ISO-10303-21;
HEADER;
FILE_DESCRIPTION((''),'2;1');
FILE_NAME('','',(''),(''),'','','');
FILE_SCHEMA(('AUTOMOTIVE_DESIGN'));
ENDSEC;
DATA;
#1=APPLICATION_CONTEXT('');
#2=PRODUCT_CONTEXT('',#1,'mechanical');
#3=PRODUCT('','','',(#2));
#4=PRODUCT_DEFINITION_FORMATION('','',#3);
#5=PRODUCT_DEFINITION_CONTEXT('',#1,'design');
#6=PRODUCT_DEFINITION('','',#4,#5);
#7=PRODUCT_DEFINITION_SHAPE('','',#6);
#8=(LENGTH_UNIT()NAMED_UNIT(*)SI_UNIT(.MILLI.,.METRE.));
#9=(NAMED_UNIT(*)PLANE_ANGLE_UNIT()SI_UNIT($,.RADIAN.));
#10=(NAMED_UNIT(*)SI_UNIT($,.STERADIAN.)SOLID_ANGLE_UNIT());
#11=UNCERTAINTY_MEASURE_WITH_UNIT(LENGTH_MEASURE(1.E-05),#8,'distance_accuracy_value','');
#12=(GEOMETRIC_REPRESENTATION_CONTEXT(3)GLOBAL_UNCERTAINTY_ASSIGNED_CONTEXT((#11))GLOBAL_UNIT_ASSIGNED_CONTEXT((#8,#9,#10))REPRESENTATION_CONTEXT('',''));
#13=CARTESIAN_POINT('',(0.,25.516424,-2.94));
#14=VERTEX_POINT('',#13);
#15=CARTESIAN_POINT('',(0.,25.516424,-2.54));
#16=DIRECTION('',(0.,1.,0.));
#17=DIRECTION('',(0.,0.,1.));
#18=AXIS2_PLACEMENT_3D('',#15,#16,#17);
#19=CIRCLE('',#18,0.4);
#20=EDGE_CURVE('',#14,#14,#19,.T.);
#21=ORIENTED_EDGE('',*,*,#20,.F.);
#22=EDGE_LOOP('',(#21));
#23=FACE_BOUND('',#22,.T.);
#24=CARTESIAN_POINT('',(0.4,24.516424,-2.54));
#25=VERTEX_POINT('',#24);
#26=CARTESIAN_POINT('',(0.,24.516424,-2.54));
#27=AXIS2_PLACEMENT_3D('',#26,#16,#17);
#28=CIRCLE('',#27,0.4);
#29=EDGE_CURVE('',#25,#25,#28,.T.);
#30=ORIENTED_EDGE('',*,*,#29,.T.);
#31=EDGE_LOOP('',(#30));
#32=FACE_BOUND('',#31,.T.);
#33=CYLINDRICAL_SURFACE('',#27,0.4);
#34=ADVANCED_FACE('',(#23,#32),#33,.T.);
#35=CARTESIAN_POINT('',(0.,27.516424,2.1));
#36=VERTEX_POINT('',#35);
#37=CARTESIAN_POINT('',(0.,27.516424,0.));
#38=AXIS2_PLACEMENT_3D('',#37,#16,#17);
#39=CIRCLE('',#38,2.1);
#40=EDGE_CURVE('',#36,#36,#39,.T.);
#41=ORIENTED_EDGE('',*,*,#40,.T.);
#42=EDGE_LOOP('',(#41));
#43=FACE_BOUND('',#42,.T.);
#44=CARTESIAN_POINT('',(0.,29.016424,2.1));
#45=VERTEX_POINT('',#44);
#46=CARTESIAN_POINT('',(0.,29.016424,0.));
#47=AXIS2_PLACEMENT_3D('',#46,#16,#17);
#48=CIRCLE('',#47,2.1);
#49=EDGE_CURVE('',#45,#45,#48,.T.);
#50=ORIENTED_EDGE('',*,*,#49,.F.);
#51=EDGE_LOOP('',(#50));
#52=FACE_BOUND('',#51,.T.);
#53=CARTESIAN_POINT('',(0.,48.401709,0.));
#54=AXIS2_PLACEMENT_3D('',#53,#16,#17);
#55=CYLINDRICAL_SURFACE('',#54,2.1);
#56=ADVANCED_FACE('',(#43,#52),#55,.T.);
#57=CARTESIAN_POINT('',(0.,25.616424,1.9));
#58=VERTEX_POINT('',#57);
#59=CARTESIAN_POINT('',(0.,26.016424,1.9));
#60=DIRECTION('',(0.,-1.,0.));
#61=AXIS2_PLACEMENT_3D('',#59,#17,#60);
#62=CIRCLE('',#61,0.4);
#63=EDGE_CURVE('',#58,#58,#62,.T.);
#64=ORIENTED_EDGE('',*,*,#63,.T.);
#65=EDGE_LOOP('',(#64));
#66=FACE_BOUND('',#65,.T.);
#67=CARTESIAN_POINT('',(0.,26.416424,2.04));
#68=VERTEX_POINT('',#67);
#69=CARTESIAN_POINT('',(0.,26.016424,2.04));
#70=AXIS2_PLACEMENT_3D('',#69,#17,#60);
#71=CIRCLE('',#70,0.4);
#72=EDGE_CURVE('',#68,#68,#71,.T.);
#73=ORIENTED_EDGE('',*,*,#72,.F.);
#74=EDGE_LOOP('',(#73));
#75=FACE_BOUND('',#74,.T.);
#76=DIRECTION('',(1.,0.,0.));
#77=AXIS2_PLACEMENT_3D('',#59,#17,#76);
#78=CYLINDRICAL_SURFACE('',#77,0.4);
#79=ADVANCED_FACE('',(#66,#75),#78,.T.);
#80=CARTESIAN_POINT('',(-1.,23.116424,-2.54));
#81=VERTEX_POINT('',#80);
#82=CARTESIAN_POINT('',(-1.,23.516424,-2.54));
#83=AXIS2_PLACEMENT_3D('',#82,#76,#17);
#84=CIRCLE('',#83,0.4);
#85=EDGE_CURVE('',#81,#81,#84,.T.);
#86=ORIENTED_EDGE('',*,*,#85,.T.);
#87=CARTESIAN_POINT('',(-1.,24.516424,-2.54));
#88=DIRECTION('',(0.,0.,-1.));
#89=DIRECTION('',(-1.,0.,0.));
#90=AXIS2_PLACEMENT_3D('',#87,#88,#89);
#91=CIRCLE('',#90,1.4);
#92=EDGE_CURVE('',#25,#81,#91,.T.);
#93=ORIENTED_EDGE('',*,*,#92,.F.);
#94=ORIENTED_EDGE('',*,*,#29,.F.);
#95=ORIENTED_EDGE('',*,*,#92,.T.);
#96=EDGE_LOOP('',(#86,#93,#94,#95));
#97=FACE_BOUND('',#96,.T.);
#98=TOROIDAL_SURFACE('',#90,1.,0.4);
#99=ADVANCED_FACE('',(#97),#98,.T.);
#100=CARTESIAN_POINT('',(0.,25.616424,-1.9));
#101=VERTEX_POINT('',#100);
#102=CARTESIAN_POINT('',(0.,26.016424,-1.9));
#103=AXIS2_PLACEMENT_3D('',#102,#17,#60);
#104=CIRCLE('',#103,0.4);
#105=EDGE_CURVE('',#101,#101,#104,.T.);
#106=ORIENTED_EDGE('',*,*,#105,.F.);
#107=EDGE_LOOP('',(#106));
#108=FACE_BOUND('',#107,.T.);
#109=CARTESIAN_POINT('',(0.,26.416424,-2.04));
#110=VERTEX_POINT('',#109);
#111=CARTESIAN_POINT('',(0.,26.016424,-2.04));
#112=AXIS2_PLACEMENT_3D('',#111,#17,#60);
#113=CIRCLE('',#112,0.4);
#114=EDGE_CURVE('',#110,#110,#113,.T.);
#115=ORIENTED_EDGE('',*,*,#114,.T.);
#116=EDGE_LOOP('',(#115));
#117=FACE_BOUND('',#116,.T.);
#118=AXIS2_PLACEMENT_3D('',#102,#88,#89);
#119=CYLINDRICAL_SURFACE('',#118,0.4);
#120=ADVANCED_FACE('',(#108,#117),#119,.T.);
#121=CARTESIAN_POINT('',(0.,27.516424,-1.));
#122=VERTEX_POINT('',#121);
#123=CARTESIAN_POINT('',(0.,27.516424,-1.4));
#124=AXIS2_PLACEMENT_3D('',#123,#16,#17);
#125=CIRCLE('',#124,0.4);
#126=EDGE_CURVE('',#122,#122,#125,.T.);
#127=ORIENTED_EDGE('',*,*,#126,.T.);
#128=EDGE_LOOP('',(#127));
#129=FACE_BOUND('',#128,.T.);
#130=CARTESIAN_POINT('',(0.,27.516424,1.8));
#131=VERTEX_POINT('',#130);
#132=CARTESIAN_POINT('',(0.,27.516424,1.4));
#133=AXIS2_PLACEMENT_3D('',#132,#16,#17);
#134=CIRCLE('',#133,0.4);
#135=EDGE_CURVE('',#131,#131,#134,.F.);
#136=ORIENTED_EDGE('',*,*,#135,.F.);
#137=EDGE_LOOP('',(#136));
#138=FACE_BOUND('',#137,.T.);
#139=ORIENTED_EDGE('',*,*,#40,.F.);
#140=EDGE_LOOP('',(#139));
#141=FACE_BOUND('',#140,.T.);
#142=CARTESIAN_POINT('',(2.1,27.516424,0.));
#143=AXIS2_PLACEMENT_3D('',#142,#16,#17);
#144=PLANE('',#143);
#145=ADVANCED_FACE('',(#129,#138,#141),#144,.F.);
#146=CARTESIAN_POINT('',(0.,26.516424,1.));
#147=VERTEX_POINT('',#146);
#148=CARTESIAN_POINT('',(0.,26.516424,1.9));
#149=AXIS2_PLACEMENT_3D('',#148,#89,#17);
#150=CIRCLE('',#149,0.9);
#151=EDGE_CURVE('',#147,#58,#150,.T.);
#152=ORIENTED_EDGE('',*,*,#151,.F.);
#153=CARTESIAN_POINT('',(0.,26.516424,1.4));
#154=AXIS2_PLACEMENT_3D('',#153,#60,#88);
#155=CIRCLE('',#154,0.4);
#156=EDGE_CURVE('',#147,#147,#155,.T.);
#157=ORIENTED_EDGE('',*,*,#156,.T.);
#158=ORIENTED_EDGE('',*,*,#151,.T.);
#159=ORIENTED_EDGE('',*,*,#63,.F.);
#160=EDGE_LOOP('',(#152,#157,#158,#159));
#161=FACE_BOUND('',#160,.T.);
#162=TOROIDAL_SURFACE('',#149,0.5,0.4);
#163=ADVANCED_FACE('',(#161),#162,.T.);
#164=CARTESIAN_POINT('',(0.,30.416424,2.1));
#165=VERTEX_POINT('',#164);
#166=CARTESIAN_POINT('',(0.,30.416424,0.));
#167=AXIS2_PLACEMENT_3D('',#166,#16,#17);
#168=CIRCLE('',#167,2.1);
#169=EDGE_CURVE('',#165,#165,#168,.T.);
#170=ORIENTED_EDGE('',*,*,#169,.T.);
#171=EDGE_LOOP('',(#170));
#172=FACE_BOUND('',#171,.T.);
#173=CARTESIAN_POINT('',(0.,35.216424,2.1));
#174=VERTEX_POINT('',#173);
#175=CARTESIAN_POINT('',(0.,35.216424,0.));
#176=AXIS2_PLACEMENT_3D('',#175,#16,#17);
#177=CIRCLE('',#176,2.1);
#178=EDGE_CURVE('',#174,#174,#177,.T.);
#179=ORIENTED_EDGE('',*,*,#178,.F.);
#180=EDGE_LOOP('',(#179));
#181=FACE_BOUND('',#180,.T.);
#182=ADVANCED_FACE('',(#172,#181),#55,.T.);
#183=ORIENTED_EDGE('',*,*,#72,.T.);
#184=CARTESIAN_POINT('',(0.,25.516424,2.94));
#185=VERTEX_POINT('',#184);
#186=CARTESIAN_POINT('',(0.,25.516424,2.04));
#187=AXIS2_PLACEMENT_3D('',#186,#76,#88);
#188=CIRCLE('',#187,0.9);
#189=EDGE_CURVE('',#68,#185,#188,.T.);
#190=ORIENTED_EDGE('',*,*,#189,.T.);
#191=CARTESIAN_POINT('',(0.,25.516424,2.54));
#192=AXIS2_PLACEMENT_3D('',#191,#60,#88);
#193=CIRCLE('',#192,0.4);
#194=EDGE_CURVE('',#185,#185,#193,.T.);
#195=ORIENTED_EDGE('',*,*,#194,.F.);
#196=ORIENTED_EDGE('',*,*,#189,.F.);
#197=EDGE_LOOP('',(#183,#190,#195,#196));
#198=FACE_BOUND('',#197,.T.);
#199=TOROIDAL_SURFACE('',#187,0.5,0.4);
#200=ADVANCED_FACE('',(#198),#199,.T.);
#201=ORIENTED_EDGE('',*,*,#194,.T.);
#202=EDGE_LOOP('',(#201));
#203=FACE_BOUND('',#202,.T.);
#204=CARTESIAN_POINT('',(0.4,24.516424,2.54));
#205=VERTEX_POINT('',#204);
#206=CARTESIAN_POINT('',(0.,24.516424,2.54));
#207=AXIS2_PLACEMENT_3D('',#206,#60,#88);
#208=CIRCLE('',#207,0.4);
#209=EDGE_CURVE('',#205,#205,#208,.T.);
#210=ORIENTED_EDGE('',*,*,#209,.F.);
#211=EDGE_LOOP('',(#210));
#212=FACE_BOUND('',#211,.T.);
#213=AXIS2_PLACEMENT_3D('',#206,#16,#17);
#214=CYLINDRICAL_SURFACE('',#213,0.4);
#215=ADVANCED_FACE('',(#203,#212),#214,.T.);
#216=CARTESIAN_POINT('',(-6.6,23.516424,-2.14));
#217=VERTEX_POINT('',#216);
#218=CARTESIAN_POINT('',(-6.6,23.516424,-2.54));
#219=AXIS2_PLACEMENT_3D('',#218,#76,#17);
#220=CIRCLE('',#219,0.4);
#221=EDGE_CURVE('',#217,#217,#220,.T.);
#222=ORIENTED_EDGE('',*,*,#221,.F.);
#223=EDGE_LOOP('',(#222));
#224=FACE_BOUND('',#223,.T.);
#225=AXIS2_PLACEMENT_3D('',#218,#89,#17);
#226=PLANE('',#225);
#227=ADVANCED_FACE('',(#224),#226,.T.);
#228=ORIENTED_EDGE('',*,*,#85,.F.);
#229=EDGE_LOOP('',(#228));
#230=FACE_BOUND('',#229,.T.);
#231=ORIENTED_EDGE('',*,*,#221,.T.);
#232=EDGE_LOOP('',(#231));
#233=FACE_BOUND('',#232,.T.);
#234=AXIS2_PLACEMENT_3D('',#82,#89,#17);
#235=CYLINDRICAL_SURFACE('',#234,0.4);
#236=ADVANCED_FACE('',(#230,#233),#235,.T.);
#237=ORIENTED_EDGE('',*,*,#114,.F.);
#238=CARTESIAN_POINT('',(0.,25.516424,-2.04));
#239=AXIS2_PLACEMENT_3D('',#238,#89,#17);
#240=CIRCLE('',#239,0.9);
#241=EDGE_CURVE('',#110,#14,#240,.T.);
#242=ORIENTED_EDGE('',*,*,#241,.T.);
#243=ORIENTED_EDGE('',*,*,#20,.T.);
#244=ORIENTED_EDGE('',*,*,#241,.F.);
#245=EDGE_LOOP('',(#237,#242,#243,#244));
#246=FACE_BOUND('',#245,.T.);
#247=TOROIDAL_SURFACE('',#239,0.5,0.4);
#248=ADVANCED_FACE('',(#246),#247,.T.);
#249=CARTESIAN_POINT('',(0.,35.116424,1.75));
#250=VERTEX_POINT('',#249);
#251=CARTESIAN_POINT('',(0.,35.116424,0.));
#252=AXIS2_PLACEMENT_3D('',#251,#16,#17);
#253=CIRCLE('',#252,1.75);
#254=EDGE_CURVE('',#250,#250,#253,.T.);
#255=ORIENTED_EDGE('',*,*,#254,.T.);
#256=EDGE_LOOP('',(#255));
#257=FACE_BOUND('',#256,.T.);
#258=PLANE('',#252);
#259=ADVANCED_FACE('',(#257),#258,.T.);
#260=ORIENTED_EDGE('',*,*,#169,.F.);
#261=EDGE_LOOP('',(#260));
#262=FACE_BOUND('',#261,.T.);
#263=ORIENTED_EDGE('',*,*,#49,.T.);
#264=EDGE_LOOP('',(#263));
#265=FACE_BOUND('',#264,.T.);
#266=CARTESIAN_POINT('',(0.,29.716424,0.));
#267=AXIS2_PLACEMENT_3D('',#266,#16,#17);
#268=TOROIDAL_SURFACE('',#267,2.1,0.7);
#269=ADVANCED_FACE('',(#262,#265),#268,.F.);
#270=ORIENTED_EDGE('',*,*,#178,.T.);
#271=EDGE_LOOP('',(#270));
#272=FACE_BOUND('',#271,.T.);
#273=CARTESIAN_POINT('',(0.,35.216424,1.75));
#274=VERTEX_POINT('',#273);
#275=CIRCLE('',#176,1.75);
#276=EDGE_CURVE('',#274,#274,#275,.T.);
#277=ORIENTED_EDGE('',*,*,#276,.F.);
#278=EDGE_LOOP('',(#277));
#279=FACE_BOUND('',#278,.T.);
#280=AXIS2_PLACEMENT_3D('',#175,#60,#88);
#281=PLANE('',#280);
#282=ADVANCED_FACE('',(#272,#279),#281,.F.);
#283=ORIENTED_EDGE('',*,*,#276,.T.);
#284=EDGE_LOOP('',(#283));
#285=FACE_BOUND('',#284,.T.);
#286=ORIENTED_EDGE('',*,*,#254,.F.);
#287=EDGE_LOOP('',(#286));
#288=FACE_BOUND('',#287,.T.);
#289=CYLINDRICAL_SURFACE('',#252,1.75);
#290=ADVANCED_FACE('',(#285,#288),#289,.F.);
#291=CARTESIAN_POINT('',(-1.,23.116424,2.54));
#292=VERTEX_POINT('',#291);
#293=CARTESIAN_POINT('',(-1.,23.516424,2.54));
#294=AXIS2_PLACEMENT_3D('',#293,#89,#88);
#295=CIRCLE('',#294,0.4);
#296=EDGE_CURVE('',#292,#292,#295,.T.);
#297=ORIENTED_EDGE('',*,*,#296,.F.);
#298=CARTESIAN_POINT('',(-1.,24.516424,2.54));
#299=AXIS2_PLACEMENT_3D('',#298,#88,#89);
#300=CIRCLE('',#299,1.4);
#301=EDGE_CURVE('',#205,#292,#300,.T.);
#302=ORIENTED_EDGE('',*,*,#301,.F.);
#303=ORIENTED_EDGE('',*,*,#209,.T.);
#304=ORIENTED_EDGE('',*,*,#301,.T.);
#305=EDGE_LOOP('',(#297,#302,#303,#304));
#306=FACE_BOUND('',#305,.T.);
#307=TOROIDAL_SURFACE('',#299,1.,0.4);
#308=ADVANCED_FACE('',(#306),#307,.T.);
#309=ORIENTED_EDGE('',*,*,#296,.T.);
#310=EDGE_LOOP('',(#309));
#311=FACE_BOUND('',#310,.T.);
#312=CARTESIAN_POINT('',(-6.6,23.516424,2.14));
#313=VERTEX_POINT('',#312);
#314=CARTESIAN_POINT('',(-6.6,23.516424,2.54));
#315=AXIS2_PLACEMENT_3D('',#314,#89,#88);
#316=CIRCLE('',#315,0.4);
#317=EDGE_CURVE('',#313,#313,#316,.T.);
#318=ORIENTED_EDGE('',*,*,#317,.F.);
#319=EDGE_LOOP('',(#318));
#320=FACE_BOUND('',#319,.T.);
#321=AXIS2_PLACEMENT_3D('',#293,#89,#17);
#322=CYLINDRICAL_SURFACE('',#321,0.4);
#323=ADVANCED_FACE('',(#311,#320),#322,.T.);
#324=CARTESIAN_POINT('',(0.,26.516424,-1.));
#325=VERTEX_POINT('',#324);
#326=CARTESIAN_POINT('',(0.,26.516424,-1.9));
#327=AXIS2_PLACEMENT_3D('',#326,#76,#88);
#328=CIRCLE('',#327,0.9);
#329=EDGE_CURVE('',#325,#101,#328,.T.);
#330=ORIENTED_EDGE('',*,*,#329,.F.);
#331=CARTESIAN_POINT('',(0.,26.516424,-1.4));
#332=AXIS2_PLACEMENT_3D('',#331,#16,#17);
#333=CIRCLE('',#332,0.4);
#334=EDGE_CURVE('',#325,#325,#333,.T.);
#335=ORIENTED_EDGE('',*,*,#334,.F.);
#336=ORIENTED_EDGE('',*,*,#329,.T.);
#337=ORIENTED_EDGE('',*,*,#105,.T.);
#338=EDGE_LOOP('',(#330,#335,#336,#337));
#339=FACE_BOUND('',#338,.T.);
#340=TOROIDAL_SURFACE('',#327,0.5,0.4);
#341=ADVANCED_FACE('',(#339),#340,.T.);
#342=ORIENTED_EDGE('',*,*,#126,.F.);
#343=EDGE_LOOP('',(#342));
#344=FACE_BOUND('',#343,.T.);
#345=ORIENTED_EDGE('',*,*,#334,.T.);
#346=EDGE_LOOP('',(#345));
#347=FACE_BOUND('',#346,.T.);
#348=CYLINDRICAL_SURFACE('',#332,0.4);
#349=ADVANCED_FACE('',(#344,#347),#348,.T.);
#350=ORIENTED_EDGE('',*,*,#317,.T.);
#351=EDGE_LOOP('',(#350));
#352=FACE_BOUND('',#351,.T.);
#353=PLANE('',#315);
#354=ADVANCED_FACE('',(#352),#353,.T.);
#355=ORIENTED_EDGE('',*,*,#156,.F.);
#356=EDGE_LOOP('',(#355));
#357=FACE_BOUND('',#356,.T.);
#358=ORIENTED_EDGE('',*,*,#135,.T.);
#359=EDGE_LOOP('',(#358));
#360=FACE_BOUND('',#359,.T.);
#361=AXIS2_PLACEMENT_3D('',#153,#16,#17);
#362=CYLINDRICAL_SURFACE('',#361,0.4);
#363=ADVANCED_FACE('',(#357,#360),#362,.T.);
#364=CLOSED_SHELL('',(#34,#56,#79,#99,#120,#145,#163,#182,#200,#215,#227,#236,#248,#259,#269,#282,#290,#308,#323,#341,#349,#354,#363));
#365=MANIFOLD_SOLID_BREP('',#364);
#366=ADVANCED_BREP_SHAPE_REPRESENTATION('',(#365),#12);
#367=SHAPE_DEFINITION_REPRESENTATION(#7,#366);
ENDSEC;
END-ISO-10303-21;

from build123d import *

# Parameters (mm, degrees)
ESQUISSE2_R             = 1.75
ENL_V_MAT_EXTRU_1_DEPTH = 0.1
ESQUISSE3_R             = 0.4
ESQUISSE5_R             = 0.4


with BuildPart() as part:
    # Esquisse1 → Révolution1 (revolve)
    with BuildSketch(Plane.XY, mode=Mode.PRIVATE) as r_volution1_sk:
        with BuildLine():
            Line((0, 35.216423663), (2.1, 35.216423663))
            Line((2.1, 35.216423663), (2.1, 30.416423663))
            ThreePointArc((2.1, 30.416423663), (1.4, 29.716423663), (2.1, 29.016423663))
            Line((2.1, 29.016423663), (2.1, 27.516423663))
            Line((2.1, 27.516423663), (0, 27.516423663))
            Line((0, 27.516423663), (0, 35.216423663))
        make_face()
    revolve(r_volution1_sk.sketch.rotate(Axis((0, 48.401709402, 0), (0, -1, 0)), 90), axis=Axis((0, 48.401709402, 0), (0, -1, 0)))  # turned: the seam where the file's is

    # Esquisse2 → Enlèv. mat.-Extru.1 (cut)
    with BuildSketch(Plane(origin=(0, 35.216423663, 0), x_dir=(-1, 0, 0), z_dir=(0, 1, 0))):
        with Locations(Location((0, 0, 0), (0, 0, 90))):  # turned: the seam where the file's is
            Circle(ESQUISSE2_R)
    extrude(amount=-ENL_V_MAT_EXTRU_1_DEPTH, mode=Mode.SUBTRACT)

    # Balayage1: sweep along a path in Esquisse4
    with BuildLine(Plane(origin=(0, 0, 0), x_dir=(0, 0, -1), z_dir=(1, 0, 0))) as balayage1_path:
        Line((-1.4, 27.516423663), (-1.4, 26.516423663))
        ThreePointArc((-1.4, 26.516423663), (-1.546446609, 26.162870273), (-1.9, 26.016423663))
        Line((-1.9, 26.016423663), (-2.04, 26.016423663))
        ThreePointArc((-2.04, 26.016423663), (-2.393553391, 25.869977054), (-2.54, 25.516423663))
    # Esquisse3 → Balayage1 (sweep)
    with BuildSketch(Plane.XZ.offset(-27.516423663)):
        with Locations((0, 1.4)):
            Circle(ESQUISSE3_R)
    balayage1 = sweep(path=balayage1_path.line)

    # Balayage2: sweep along a path in Esquisse6
    with BuildLine(Plane.XY.offset(2.54)) as balayage2_path:
        Line((0, 25.516423663), (0, 24.516423663))
        ThreePointArc((0, 24.516423663), (-0.292893219, 23.809316882), (-1, 23.516423663))
        Line((-1, 23.516423663), (-6.6, 23.516423663))
    # Esquisse5 → Balayage2 (sweep)
    with BuildSketch(Plane.XZ.offset(-25.516423663)):
        with Locations((0, 2.54)):
            Circle(ESQUISSE5_R)
    balayage2 = sweep(path=balayage2_path.line)

    # Symétrie1: Balayage1, Balayage2 across plane
    add(balayage1.mirror(Plane.XY))
    add(balayage2.mirror(Plane.XY))


solid = part.part
